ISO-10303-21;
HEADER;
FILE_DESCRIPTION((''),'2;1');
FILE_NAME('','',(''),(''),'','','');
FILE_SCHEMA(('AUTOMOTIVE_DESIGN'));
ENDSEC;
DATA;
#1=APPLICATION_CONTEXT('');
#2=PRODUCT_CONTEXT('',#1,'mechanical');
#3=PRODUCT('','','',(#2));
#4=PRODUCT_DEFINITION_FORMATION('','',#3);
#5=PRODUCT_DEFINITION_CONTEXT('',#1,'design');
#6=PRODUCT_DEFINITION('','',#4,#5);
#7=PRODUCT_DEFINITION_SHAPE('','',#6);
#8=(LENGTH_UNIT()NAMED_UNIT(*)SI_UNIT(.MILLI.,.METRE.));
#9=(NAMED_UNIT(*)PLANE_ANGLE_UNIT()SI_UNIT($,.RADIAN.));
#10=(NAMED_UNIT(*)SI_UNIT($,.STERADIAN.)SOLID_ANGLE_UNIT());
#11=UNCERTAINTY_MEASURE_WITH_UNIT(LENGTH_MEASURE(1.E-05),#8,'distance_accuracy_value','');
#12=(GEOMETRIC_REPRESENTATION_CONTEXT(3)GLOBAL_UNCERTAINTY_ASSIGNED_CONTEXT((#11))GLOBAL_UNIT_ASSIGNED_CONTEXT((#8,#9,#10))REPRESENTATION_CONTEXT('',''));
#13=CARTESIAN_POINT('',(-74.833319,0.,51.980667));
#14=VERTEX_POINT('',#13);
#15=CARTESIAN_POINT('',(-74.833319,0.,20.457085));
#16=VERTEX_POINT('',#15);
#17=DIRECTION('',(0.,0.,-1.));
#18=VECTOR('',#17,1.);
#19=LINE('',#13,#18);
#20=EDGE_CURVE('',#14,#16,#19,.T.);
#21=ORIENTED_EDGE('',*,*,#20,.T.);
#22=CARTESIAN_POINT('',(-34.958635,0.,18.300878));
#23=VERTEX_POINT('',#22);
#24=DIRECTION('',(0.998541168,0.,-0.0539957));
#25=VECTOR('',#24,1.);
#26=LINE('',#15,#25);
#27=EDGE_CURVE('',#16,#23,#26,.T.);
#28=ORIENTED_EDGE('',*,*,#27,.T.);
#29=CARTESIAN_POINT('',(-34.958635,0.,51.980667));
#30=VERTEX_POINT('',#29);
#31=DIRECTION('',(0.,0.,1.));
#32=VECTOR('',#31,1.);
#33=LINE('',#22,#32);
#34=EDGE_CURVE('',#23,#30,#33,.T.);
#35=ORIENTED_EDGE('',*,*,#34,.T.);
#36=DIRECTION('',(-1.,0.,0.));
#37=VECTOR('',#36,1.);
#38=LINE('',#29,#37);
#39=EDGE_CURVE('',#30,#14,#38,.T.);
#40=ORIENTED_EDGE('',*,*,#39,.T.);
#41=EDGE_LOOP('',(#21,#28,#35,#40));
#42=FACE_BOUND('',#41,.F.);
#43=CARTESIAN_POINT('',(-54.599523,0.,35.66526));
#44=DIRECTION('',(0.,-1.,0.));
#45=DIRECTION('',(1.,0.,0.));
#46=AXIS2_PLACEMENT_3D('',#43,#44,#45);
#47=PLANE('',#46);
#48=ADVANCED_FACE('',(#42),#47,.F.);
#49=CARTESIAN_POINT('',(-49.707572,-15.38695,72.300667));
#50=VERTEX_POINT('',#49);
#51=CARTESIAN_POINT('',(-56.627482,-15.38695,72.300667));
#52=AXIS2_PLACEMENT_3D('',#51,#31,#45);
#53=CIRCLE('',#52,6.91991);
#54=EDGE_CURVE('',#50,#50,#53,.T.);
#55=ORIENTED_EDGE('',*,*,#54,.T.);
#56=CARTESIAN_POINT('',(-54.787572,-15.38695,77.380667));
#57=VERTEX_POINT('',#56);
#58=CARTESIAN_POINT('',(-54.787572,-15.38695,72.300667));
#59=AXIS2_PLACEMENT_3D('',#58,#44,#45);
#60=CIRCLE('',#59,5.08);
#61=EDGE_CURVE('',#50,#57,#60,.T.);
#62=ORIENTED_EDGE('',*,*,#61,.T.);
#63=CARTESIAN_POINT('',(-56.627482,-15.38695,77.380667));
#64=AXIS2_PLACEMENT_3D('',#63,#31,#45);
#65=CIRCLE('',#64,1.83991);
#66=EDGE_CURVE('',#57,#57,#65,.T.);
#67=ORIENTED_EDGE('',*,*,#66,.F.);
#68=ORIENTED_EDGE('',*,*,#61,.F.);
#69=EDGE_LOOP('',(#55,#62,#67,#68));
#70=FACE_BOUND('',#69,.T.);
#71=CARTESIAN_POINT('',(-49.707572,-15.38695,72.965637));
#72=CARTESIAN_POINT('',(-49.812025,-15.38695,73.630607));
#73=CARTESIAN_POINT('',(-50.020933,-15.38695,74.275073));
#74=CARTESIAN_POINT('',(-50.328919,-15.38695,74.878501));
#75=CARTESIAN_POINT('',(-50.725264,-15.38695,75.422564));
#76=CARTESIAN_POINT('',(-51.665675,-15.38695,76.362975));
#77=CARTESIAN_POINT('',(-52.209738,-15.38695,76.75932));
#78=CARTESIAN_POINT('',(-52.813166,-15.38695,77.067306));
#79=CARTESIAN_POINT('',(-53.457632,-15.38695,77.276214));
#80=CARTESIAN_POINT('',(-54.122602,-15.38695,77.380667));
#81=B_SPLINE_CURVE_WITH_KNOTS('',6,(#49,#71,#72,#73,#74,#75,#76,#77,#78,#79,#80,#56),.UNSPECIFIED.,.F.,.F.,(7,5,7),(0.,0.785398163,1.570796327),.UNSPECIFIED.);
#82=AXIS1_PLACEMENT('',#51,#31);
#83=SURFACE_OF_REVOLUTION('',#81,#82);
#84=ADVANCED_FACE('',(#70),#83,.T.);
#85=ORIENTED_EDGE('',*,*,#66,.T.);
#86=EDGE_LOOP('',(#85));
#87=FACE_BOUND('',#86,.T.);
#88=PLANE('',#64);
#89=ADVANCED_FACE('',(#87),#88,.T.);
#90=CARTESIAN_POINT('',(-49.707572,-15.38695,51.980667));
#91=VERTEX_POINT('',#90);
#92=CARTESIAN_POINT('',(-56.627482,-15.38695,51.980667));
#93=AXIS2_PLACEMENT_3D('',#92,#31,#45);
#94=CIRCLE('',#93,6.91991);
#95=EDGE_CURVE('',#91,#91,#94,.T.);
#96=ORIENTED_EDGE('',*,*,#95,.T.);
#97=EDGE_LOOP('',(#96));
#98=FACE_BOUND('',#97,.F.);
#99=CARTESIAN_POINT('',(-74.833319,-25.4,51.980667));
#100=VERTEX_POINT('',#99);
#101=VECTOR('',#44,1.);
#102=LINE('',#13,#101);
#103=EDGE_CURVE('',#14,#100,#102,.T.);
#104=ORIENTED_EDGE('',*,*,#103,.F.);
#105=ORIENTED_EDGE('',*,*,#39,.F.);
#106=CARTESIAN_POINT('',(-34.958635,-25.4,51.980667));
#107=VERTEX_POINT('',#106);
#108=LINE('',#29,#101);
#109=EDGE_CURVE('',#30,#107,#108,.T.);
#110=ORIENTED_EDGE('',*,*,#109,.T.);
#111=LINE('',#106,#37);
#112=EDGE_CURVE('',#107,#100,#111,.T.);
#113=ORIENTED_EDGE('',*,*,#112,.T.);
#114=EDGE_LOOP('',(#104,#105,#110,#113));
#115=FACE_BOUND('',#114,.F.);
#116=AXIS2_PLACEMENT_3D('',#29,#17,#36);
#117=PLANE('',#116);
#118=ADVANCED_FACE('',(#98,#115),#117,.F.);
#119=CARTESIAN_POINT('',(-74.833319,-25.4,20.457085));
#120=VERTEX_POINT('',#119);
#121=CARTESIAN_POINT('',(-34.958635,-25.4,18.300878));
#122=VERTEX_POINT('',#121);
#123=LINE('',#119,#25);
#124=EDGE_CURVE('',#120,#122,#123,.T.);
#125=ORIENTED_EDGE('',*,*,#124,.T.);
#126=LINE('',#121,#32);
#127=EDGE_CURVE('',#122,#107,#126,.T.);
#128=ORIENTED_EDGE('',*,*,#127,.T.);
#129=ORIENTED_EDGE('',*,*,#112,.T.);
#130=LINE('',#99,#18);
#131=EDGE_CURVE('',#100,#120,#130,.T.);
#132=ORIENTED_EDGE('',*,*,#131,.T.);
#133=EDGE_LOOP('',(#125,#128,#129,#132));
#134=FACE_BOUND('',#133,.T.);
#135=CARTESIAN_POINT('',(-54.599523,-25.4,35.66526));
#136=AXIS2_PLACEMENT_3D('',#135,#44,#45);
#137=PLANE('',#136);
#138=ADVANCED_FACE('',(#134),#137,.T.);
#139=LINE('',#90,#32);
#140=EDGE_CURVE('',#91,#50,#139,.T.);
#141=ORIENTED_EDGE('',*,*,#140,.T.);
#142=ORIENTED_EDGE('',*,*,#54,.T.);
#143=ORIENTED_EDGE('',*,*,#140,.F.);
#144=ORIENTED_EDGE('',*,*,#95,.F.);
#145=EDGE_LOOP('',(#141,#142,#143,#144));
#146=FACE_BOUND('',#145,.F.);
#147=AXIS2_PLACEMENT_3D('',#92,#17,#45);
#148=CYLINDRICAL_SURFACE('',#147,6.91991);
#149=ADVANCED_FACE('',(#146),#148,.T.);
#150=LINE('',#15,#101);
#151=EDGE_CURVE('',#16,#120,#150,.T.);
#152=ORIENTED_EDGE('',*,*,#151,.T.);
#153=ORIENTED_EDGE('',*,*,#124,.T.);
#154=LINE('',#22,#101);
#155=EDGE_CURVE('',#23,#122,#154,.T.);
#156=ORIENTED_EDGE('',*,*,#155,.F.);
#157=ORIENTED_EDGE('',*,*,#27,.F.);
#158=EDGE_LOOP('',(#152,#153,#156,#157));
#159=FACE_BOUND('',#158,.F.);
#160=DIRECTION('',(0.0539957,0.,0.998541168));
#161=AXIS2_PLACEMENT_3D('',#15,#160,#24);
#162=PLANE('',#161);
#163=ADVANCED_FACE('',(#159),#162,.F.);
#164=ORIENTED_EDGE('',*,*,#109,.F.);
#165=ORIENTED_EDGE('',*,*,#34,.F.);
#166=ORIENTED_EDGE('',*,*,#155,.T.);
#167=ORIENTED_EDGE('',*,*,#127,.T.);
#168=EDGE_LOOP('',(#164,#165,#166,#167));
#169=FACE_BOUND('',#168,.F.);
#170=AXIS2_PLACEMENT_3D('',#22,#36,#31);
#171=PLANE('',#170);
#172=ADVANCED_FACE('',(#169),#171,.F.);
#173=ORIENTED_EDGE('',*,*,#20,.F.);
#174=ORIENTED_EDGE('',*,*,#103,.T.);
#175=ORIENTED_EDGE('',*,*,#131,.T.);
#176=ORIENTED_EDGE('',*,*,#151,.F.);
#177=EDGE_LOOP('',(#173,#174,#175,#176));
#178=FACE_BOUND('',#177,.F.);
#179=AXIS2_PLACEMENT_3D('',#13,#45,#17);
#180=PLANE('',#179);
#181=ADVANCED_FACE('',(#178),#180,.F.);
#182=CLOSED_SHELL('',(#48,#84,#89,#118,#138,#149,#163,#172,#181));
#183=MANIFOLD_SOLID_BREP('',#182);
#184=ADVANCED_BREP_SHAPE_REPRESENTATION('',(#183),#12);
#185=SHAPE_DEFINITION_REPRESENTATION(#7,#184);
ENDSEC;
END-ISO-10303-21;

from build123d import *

# Parameters (mm, degrees)
F1_DEPTH = 25.4
F2_R     = 6.91991
F3_DEPTH = 25.4
F4_R     = 5.08


with BuildPart() as f1:
    # F0 (on Front) → F1 (new body)
    with BuildSketch(Plane.XZ):
        Polygon((-74.833319, 51.980667), (-74.833319, 20.457085), (-34.958635, 18.300878), (-34.958635, 51.980667), align=None)
    extrude(amount=F1_DEPTH)

    # F2 (on face) → F3 (join)
    with BuildSketch(Plane.XY.offset(51.980667)):
        with Locations((-56.627482, -15.38695)):
            Circle(F2_R)
    extrude(amount=F3_DEPTH)

    # F4
    f4_edges = [f1.edges().sort_by_distance(p)[0] for p in [
        (-63.547392, -15.38695, 77.380667),
    ]]
    fillet(f4_edges, radius=F4_R)


solid = f1.part
